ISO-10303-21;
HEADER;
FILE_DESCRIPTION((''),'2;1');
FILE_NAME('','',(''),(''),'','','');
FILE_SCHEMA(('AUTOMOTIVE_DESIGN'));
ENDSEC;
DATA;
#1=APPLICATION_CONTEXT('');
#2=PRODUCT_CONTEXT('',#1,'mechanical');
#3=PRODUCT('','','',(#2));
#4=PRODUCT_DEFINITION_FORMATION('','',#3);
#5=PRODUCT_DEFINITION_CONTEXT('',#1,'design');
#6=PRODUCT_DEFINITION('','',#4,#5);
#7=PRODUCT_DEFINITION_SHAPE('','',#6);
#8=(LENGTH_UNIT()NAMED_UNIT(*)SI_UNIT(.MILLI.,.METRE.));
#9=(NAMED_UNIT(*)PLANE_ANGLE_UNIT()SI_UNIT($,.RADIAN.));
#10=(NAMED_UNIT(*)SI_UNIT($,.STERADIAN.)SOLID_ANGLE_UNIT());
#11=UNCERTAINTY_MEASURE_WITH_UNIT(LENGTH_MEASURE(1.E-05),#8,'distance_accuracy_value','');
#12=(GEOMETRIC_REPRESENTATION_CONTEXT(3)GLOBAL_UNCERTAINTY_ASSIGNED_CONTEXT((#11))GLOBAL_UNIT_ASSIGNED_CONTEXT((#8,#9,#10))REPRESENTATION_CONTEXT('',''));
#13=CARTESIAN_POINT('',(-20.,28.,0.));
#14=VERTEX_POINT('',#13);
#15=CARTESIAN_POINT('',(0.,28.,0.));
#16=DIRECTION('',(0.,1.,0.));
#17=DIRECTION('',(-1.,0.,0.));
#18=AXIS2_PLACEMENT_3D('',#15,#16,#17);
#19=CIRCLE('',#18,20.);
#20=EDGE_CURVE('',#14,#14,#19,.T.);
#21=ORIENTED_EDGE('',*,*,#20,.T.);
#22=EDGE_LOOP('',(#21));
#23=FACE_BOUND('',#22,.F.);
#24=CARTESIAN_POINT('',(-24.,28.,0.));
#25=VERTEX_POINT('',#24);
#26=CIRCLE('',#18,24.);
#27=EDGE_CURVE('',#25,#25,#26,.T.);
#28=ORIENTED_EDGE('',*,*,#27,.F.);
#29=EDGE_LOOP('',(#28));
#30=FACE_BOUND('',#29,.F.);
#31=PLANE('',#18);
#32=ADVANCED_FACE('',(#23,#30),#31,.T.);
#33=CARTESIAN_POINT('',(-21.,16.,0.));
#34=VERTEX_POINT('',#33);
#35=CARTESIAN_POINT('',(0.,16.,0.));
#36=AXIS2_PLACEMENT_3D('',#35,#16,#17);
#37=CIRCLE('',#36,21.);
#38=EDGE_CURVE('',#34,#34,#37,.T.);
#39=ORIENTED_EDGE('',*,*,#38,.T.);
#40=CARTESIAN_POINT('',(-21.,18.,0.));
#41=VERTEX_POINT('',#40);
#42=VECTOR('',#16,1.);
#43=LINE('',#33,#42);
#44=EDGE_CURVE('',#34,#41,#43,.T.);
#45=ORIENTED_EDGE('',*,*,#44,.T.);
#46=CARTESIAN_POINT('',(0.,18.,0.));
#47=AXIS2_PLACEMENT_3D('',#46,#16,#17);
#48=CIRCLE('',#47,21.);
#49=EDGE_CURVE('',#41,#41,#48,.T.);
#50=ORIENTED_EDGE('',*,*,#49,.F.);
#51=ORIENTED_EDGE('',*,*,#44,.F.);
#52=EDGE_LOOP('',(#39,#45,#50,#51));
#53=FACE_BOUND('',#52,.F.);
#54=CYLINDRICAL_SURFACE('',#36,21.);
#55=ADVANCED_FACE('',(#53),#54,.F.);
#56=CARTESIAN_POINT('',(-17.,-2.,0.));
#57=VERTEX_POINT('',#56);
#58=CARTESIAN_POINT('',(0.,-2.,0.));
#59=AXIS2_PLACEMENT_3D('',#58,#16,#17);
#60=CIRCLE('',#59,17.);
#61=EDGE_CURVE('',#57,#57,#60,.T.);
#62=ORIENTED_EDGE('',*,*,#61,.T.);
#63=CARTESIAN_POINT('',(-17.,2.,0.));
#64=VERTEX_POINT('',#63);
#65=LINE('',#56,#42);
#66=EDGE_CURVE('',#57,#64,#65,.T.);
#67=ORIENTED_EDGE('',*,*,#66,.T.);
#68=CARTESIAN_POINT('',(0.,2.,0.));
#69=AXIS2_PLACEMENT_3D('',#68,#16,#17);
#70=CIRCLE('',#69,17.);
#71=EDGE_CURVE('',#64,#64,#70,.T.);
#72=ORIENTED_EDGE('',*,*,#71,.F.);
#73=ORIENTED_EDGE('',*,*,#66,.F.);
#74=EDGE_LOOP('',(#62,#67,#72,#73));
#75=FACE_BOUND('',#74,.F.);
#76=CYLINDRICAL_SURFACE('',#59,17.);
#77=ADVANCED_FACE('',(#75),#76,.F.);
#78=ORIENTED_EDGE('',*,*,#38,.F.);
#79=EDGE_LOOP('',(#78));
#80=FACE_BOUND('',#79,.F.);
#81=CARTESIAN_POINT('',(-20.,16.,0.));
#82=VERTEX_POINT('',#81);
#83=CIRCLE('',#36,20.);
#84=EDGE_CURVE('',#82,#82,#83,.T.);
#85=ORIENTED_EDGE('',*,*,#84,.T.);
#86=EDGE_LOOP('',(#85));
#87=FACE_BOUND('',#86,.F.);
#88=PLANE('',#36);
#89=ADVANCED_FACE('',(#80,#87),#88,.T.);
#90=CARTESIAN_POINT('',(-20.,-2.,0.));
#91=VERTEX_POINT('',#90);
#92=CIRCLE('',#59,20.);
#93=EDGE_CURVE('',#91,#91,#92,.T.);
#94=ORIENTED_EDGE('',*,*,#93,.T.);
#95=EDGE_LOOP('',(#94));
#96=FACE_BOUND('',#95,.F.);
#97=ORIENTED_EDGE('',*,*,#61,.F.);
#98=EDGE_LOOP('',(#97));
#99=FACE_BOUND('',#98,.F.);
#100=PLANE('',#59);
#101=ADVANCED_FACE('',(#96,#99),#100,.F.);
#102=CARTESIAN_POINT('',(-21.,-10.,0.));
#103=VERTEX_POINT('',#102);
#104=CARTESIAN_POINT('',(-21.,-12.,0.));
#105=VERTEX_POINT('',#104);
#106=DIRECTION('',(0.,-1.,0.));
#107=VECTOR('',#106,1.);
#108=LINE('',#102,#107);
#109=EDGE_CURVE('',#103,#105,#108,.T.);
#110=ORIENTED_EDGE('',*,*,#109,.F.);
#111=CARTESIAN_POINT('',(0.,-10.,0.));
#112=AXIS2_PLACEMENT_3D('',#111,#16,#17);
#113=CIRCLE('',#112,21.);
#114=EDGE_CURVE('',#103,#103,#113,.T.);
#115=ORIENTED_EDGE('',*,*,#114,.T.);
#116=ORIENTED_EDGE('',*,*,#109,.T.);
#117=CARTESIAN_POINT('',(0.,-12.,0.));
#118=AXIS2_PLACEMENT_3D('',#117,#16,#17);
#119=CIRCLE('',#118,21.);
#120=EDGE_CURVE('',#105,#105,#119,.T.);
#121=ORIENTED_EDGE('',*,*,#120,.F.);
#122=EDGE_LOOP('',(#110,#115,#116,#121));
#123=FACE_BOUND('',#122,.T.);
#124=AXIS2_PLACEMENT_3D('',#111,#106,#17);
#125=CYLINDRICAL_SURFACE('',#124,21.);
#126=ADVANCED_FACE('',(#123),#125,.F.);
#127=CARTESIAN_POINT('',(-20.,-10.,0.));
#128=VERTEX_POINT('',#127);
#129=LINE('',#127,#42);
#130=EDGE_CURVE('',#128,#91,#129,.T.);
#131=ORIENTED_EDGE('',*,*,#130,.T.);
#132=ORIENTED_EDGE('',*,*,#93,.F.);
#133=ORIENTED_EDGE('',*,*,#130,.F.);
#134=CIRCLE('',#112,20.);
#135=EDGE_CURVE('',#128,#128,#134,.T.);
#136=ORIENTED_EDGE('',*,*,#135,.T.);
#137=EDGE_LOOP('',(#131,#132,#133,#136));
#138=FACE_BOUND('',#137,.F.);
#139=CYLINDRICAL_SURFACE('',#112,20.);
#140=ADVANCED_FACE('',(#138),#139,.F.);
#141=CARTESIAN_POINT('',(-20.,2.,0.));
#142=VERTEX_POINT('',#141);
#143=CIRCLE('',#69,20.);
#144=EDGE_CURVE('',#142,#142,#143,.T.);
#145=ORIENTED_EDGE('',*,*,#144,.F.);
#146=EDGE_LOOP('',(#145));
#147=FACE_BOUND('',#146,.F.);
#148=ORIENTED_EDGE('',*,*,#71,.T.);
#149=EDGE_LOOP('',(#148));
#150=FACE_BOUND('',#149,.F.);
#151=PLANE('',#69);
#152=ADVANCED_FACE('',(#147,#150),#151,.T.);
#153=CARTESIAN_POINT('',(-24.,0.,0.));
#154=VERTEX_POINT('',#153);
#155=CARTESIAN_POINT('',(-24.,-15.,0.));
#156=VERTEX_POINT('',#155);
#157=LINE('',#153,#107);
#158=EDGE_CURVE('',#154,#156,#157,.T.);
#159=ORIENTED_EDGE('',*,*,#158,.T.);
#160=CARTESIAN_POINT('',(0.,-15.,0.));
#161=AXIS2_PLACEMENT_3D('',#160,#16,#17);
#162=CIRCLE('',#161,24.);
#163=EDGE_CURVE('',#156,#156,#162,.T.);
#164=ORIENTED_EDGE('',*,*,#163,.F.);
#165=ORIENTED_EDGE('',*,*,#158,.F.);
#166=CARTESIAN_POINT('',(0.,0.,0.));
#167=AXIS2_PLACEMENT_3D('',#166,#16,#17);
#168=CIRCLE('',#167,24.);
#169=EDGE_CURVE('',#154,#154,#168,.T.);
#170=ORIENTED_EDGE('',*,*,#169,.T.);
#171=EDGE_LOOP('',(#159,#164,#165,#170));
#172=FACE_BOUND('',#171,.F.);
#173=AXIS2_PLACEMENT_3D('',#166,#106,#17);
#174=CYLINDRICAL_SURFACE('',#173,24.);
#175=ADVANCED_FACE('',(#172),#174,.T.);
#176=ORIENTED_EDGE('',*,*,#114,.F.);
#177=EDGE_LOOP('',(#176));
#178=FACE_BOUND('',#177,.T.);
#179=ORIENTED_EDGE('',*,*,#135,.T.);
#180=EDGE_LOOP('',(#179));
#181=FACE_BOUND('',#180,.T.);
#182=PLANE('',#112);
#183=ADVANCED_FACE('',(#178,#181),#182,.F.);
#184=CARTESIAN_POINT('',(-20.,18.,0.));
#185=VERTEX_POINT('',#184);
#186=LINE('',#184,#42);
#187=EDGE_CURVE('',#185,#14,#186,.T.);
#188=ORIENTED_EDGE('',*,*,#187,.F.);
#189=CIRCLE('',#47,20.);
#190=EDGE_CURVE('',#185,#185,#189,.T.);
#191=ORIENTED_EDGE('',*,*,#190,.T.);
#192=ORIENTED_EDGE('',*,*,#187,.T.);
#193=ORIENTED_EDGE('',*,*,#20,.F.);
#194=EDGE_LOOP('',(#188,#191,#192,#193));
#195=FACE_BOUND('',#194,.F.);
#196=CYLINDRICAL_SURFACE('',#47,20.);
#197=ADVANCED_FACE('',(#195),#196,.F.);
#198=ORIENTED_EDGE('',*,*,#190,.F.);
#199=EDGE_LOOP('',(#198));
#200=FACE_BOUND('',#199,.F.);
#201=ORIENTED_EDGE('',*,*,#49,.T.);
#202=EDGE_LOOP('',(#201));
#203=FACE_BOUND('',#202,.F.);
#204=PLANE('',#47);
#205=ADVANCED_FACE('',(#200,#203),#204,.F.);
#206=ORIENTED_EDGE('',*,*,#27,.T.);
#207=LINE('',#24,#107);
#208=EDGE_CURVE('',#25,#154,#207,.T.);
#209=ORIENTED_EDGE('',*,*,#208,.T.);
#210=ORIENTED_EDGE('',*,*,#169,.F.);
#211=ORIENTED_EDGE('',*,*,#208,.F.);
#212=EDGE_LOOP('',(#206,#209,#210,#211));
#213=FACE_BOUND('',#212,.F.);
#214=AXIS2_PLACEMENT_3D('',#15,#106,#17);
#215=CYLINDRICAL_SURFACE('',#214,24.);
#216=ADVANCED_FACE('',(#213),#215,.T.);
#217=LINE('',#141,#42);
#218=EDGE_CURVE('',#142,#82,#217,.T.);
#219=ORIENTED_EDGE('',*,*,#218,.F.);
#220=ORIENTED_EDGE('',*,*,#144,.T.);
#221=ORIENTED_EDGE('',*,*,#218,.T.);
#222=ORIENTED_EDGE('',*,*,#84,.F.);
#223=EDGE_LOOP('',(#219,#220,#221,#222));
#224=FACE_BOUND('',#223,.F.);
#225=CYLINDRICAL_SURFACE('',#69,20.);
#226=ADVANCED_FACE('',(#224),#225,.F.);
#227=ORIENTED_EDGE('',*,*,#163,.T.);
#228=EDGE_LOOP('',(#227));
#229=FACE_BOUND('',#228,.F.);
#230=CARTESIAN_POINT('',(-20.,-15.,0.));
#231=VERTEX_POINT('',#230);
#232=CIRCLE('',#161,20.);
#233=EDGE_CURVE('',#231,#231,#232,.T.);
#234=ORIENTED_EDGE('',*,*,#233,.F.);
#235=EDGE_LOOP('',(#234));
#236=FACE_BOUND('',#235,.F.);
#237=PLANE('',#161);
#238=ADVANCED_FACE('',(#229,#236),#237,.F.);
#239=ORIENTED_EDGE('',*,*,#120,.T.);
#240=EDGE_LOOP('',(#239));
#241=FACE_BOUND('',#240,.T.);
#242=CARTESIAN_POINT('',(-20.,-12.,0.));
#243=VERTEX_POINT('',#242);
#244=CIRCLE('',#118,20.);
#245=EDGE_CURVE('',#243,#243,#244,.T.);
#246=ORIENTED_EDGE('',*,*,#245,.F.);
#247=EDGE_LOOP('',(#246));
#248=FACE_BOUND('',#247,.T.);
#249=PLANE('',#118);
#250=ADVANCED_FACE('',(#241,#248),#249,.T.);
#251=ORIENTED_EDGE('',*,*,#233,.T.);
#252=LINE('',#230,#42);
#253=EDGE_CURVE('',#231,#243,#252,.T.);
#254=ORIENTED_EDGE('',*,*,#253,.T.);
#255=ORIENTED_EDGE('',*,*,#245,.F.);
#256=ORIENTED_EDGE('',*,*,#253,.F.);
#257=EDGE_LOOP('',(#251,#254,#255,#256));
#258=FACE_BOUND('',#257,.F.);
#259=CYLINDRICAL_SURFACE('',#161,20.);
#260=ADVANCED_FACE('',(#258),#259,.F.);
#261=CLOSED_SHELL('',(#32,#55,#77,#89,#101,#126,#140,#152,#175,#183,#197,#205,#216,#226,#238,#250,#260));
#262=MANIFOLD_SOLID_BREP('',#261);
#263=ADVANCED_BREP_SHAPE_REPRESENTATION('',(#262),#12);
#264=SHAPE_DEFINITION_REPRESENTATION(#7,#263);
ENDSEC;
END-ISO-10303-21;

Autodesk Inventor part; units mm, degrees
ref_plane "YZ Plane" through (0, 0, 0) normal (1, 0, 0) x (0, 1, 0)
ref_plane "XZ Plane" through (0, 0, 0) normal (0, 1, 0) x (-1, 0, 0)
ref_plane "XY Plane" through (0, 0, 0) normal (0, 0, 1) x (1, 0, 0)
sketch "Sketch6" plane through (0, 0, 0) normal (0, 0, 1) x (1, 0, 0)
  line L0 (20, 28) -> (24, 28)
  line L1 (24, 28) -> (24, 0)
  line L2 (24, -15) -> (20, -15)
  line L3 (20, -15) -> (20, -12)
  line L4 (17, 2) -> (20, 2)
  line L5 (20, 2) -> (20, -2) construction
  line L6 (20, -2) -> (17, -2)
  line L7 (17, -2) -> (17, 2)
  line L8 (20, -10) -> (21, -10)
  line L9 (21, -10) -> (21, -12)
  line L10 (21, -12) -> (20, -12)
  line L11 (20, -12) -> (20, -10) construction
  line L12 (20, 2) -> (20, 16)
  line L13 (20, -2) -> (20, 2) construction
  line L14 (20, -10) -> (20, -2)
  line L15 (20, -12) -> (20, -10) construction
  line L16 (0, 0) -> (0, 29.8024)
  line L17 (20, 16) -> (21, 16)
  line L18 (21, 16) -> (21, 18)
  line L19 (21, 18) -> (20, 18)
  line L20 (17, 0) -> (24, 0) construction
  line L21 (24, 0) -> (24, -15)
  line L22 (20, 18) -> (20, 28)
  line L23 (20, 16) -> (20, 18) construction
  point P0 (20, 0)
  point P1 (20, -11)
  point P2 (20.5, -10)
  dimension "d15" = 4
  dimension "d16" = 3
  dimension "d17" = 8
  dimension "d18" = 2
  dimension "d19" = 1
  dimension "d21" = 48
  dimension "d22" = 40
  dimension "d24" = 14
  dimension "d25" = 15
  dimension "d26" = 2
  dimension "d27" = 1
  dimension "d28" = 28
revolve "Revolution1" add sketch "Sketch6" angle 360 mid plane about axis through (0, 0, 0) along (0, 1, 0)
equation "\"d26\" = d18"
equation "\"d27\" = d19"
properties part number "Седло для подшипника"
